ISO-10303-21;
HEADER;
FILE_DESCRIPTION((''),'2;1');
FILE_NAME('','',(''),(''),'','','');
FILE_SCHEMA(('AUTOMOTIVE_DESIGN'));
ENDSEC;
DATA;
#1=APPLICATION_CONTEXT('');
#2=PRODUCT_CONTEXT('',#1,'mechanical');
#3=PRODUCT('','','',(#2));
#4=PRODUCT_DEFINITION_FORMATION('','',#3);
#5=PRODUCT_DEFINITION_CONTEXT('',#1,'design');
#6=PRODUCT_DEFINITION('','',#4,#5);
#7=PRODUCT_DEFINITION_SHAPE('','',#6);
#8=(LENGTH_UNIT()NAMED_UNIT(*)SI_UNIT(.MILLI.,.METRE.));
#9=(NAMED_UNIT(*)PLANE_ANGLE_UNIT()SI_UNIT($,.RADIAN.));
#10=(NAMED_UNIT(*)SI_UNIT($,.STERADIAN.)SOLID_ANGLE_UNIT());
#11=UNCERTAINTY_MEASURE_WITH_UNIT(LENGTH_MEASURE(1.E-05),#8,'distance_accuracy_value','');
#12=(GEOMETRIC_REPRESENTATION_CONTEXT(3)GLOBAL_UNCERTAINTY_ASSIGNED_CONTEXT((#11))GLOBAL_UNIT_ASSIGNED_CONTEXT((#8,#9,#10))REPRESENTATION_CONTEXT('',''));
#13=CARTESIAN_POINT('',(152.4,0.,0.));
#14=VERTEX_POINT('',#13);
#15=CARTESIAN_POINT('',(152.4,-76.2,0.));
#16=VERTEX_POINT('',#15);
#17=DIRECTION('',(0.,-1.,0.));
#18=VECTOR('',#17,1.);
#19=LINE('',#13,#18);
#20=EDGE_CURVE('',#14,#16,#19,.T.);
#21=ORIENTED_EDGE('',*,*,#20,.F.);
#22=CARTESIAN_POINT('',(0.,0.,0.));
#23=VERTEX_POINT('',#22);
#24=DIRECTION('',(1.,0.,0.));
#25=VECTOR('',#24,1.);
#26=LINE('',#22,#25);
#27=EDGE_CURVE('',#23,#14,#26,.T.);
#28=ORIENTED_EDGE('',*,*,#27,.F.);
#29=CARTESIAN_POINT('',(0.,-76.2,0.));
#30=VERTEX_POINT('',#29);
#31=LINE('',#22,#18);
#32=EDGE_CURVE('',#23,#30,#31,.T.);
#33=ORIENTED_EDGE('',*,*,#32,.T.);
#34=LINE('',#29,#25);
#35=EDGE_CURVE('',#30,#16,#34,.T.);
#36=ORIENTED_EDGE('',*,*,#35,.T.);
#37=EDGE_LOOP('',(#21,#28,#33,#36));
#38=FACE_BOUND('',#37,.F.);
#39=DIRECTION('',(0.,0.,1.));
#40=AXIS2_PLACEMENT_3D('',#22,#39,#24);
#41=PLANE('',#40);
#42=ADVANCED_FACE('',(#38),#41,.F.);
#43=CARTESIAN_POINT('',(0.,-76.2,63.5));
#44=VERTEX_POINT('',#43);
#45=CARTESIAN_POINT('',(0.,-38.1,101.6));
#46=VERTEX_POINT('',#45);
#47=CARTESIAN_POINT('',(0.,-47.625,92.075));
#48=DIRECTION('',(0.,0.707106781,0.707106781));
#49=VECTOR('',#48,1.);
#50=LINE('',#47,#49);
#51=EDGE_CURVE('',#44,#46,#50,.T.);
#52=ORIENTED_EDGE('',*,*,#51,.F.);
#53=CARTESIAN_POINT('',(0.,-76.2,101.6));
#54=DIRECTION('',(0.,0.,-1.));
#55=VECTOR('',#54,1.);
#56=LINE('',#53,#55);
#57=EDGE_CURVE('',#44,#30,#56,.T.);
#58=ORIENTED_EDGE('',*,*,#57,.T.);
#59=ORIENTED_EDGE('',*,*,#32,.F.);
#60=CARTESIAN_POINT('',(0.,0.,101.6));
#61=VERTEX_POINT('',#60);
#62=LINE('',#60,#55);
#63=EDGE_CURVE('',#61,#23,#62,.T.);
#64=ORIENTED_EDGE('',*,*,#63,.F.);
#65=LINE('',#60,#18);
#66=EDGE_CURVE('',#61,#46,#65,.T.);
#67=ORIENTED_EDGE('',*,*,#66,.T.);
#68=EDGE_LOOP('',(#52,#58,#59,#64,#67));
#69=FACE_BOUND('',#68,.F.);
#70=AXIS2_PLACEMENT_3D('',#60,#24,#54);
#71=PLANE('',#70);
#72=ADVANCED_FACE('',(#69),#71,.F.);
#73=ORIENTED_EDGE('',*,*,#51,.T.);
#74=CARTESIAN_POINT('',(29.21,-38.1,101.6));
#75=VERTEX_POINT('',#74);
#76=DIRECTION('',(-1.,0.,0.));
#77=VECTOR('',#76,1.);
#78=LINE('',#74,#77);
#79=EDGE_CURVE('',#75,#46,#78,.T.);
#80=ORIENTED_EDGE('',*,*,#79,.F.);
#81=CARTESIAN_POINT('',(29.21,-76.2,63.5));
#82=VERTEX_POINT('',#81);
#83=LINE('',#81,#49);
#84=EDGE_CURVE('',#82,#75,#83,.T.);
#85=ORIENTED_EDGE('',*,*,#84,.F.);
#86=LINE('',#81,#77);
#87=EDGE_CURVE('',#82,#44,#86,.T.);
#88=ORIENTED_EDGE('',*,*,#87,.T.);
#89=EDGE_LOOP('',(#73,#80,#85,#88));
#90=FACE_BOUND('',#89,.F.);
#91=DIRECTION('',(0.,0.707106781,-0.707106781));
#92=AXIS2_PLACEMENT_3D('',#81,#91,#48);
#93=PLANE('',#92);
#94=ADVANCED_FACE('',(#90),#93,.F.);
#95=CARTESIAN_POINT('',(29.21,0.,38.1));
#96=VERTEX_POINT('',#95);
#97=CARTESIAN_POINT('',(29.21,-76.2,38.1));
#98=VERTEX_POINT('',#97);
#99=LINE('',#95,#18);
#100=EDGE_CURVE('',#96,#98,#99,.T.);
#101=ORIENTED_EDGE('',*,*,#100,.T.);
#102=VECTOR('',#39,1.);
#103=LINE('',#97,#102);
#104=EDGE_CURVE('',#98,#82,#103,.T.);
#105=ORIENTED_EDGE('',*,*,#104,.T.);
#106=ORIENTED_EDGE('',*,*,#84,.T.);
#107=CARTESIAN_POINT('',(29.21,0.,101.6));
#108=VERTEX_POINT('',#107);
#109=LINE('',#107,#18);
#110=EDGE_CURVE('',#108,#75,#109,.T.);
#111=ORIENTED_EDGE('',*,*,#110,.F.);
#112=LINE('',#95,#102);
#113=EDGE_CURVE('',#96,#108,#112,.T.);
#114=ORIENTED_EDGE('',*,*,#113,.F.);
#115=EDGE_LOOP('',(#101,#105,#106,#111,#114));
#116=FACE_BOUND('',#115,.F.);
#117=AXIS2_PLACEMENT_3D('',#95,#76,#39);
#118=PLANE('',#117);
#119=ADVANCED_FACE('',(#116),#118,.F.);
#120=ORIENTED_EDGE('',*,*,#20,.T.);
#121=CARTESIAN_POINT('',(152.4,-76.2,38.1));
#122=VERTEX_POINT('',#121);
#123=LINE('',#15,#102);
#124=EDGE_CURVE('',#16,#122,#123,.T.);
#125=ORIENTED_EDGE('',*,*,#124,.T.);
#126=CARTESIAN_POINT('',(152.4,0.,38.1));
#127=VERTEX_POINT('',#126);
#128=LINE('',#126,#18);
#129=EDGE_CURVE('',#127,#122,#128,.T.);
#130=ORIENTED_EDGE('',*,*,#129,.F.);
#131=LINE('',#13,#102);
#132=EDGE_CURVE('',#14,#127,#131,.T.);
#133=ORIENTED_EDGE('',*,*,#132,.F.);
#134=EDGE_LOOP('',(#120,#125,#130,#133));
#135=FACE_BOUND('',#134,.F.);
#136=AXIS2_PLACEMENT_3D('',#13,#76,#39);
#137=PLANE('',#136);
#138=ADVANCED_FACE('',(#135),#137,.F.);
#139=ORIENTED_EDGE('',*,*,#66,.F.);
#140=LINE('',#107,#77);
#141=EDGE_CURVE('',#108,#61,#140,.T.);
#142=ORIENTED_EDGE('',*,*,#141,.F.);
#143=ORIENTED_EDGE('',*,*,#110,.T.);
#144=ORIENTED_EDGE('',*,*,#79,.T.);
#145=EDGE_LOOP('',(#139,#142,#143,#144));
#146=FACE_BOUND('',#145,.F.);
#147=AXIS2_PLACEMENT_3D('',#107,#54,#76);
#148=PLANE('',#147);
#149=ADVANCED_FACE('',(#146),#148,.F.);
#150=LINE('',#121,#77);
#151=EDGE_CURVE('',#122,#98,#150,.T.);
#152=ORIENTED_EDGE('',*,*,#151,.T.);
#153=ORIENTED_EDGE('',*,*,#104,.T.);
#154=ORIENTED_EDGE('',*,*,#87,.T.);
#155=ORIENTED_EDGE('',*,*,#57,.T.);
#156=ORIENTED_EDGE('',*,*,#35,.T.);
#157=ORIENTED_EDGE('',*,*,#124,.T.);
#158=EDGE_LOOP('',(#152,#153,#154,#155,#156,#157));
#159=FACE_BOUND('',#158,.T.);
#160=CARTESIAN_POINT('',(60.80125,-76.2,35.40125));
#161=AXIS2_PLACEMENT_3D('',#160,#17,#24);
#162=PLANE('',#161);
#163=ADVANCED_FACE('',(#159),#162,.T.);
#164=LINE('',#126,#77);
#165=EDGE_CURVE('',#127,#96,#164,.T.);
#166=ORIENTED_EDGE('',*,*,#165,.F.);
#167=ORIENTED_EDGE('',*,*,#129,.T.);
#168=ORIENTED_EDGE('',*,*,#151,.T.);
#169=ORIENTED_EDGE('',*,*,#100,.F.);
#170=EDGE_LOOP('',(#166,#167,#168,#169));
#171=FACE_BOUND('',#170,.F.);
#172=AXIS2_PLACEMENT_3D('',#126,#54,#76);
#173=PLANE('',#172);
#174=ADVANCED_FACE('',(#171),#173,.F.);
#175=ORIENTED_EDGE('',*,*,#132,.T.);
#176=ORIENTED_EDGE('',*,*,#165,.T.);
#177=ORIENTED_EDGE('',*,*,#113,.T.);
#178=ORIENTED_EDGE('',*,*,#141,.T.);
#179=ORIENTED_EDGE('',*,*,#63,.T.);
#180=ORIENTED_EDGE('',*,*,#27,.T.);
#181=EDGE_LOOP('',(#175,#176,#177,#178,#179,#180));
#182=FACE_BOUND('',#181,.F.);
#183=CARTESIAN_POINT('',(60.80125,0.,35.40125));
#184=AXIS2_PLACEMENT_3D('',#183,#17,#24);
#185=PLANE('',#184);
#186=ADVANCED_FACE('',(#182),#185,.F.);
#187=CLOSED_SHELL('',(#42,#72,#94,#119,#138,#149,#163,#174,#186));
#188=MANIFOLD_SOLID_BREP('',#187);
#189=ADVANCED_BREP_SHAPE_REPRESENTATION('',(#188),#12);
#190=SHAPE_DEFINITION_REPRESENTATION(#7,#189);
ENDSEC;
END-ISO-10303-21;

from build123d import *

# Parameters (mm, degrees)
F1_DEPTH = 76.2
F3_DEPTH = 29.211


with BuildPart() as f1:
    # F0 (on Front) → F1 (new body)
    with BuildSketch(Plane.XZ):
        Polygon((0, 101.6), (0, 0), (152.4, 0), (152.4, 38.1), (29.21, 38.1), (29.21, 101.6), align=None)
    extrude(amount=F1_DEPTH)

    # F2 (on face) → F3 (cut, through all)
    with BuildSketch(Plane.YZ.offset(29.21)):
        Polygon((-76.2, 63.5), (-38.1, 101.6), (-76.2, 101.6), align=None)
    extrude(amount=-F3_DEPTH, mode=Mode.SUBTRACT)


solid = f1.part
